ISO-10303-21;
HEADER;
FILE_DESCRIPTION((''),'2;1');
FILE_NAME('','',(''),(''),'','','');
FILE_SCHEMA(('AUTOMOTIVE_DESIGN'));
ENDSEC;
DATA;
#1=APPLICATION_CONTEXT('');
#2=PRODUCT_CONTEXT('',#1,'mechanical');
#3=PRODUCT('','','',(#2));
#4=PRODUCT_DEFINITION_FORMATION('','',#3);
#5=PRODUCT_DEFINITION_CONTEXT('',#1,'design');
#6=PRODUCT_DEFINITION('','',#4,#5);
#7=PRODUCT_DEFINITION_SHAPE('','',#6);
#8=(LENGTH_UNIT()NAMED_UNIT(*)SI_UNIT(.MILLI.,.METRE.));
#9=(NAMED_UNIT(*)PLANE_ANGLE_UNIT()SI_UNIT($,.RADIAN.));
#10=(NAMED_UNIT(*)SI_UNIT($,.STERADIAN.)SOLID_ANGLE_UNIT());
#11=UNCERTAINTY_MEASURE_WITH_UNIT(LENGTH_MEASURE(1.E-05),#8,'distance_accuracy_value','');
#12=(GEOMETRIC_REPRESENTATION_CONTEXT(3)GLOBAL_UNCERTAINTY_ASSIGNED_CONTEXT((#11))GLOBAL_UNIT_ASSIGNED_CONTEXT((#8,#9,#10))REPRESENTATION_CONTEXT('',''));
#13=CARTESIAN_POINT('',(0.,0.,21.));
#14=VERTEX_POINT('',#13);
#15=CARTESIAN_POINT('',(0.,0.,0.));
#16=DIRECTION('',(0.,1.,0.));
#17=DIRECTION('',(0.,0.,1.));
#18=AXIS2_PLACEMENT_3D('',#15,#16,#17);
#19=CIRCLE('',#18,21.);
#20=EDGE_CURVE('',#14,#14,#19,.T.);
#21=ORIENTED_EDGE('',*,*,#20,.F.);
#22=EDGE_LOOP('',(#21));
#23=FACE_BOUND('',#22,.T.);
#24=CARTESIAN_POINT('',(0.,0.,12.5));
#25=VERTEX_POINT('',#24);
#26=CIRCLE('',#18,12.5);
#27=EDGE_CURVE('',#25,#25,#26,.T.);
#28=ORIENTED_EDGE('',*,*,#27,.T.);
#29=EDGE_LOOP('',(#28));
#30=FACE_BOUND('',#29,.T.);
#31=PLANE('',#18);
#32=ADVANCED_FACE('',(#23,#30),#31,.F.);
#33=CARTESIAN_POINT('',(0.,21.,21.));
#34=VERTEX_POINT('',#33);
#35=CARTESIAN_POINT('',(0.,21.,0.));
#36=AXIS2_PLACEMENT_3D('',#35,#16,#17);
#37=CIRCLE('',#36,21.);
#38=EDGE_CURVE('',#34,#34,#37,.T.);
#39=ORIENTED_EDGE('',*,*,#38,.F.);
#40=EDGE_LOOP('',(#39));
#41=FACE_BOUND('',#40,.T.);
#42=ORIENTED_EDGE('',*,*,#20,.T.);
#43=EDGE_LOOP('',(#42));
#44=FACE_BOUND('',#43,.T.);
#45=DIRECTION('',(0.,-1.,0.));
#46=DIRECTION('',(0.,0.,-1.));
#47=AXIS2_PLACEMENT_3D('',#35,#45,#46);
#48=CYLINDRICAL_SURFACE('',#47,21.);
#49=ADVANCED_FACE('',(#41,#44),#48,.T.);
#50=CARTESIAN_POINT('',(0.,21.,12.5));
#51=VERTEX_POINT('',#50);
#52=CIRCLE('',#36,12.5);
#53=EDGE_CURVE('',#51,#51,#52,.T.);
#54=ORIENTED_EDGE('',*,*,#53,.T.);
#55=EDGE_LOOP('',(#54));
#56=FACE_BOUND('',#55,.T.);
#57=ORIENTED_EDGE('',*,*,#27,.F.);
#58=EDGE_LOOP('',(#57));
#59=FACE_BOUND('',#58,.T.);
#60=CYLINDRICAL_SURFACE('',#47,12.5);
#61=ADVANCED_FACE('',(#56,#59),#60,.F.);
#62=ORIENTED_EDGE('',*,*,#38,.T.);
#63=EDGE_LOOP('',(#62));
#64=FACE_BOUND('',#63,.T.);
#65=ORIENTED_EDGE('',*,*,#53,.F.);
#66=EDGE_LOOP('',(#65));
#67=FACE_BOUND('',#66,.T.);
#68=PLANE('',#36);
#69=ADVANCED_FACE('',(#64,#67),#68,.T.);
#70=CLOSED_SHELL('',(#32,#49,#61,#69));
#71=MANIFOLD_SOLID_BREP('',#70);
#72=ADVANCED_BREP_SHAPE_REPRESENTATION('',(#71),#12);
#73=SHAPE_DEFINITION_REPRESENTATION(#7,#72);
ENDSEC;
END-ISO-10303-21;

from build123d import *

# Parameters (mm, degrees)
CROQUIS1_R              = 21
CROQUIS1_R_2            = 12.5
SALIENTE_EXTRUIR1_DEPTH = 21


with BuildPart() as part:
    # Croquis1 → Saliente-Extruir1 (new body)
    with BuildSketch(Plane(origin=(0, 0, 0), x_dir=(1, 0, 0), z_dir=(0, 1, 0))):
        Circle(CROQUIS1_R)
        Circle(CROQUIS1_R_2, mode=Mode.SUBTRACT)
    extrude(amount=SALIENTE_EXTRUIR1_DEPTH)


solid = part.part
